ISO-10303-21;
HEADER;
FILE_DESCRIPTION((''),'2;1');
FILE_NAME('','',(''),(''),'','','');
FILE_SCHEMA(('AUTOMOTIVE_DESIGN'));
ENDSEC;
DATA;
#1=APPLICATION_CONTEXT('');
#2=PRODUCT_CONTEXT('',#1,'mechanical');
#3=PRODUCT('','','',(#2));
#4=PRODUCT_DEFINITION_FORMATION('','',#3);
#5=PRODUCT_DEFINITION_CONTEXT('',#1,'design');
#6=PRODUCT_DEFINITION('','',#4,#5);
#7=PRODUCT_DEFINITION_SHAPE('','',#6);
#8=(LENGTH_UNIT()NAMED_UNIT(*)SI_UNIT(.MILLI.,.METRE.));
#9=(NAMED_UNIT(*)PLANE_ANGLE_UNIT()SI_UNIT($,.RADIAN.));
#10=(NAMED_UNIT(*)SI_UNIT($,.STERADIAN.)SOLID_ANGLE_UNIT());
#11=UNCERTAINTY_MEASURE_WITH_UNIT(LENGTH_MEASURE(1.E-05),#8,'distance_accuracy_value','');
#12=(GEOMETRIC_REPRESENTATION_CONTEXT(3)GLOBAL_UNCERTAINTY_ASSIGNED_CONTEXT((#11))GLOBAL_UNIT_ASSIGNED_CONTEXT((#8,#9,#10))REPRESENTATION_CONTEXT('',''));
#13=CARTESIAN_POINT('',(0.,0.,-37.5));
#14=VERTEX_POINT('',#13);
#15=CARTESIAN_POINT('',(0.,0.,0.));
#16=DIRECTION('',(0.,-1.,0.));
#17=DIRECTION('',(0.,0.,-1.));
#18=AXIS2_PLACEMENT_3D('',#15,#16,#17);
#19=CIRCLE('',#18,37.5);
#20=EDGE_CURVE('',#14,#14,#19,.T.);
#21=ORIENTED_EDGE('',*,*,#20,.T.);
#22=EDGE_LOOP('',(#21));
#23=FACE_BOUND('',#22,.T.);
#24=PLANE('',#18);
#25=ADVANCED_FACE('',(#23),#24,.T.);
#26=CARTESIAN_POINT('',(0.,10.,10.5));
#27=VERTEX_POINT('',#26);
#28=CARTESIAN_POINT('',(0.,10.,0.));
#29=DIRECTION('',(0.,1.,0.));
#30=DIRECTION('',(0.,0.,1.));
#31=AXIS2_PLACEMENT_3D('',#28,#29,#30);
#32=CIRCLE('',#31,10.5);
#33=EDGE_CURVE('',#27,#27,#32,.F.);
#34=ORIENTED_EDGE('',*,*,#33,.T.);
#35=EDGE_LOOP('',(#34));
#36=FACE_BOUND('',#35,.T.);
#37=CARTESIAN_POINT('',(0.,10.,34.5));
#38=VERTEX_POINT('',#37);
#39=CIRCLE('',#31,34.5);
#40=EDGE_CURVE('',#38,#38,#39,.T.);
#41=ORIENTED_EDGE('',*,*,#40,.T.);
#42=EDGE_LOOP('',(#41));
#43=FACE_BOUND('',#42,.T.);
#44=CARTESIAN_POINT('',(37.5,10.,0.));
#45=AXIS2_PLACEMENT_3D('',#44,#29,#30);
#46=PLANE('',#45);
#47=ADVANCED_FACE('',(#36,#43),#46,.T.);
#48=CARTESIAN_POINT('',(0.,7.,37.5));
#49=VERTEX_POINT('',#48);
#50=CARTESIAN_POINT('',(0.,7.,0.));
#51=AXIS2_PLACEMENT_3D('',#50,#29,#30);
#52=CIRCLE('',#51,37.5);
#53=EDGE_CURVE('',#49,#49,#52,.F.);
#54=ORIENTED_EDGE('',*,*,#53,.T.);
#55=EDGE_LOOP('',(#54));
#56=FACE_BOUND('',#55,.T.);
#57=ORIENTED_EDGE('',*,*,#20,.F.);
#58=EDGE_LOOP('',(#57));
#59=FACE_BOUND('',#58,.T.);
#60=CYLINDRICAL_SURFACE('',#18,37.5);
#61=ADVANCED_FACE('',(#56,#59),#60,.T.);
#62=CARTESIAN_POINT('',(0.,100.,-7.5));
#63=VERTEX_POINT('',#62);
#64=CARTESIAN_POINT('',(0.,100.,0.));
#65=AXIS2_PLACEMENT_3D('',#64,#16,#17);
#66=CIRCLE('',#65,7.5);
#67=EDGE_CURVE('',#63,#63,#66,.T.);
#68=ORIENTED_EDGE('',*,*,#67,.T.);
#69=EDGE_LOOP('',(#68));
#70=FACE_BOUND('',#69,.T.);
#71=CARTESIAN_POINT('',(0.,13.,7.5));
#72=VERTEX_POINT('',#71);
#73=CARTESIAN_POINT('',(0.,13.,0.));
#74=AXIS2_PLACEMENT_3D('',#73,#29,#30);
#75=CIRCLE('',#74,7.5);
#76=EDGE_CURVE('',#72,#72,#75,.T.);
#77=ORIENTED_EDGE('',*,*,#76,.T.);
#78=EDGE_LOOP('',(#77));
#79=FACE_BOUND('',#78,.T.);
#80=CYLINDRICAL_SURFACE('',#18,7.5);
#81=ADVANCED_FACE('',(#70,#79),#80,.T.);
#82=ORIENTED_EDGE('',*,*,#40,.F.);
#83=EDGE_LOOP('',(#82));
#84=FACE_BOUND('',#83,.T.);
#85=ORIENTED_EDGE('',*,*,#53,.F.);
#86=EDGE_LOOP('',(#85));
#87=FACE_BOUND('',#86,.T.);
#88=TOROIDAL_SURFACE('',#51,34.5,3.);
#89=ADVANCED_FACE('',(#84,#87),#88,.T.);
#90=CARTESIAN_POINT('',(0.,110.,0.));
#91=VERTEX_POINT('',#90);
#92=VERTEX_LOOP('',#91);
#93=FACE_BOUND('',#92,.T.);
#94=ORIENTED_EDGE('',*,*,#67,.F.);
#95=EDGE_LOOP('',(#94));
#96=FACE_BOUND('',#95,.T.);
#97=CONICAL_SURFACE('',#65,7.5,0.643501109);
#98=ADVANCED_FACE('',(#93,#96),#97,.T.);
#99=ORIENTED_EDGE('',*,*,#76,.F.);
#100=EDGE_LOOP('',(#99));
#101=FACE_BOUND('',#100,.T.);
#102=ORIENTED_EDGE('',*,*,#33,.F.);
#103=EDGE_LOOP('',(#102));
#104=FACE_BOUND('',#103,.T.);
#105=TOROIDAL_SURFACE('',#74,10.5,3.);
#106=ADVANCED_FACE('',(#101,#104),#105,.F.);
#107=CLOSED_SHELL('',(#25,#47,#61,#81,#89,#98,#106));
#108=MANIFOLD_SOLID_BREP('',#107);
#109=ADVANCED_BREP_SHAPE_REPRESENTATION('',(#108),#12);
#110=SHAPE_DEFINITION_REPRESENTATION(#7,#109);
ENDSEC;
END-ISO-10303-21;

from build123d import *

# Parameters (mm, degrees)
RADYUS1_R = 3


with BuildPart() as part:
    # Çizim1 → Döndür1 (revolve)
    with BuildSketch(Plane.XY, mode=Mode.PRIVATE) as d_nd_r1_sk:
        Polygon((0, 0), (37.5, 0), (37.5, 10), (7.5, 10), (7.5, 100), (0, 110), align=None)
    revolve(d_nd_r1_sk.sketch.rotate(Axis((0, 0, 0), (0, 1, 0)), 90), axis=Axis((0, 0, 0), (0, 1, 0)))

    # Radyus1
    radyus1_edges = [part.edges().sort_by_distance(p)[0] for p in [
        (0, 10, 7.5),
        (0, 10, 37.5),
    ]]
    fillet(radyus1_edges, radius=RADYUS1_R)


solid = part.part
